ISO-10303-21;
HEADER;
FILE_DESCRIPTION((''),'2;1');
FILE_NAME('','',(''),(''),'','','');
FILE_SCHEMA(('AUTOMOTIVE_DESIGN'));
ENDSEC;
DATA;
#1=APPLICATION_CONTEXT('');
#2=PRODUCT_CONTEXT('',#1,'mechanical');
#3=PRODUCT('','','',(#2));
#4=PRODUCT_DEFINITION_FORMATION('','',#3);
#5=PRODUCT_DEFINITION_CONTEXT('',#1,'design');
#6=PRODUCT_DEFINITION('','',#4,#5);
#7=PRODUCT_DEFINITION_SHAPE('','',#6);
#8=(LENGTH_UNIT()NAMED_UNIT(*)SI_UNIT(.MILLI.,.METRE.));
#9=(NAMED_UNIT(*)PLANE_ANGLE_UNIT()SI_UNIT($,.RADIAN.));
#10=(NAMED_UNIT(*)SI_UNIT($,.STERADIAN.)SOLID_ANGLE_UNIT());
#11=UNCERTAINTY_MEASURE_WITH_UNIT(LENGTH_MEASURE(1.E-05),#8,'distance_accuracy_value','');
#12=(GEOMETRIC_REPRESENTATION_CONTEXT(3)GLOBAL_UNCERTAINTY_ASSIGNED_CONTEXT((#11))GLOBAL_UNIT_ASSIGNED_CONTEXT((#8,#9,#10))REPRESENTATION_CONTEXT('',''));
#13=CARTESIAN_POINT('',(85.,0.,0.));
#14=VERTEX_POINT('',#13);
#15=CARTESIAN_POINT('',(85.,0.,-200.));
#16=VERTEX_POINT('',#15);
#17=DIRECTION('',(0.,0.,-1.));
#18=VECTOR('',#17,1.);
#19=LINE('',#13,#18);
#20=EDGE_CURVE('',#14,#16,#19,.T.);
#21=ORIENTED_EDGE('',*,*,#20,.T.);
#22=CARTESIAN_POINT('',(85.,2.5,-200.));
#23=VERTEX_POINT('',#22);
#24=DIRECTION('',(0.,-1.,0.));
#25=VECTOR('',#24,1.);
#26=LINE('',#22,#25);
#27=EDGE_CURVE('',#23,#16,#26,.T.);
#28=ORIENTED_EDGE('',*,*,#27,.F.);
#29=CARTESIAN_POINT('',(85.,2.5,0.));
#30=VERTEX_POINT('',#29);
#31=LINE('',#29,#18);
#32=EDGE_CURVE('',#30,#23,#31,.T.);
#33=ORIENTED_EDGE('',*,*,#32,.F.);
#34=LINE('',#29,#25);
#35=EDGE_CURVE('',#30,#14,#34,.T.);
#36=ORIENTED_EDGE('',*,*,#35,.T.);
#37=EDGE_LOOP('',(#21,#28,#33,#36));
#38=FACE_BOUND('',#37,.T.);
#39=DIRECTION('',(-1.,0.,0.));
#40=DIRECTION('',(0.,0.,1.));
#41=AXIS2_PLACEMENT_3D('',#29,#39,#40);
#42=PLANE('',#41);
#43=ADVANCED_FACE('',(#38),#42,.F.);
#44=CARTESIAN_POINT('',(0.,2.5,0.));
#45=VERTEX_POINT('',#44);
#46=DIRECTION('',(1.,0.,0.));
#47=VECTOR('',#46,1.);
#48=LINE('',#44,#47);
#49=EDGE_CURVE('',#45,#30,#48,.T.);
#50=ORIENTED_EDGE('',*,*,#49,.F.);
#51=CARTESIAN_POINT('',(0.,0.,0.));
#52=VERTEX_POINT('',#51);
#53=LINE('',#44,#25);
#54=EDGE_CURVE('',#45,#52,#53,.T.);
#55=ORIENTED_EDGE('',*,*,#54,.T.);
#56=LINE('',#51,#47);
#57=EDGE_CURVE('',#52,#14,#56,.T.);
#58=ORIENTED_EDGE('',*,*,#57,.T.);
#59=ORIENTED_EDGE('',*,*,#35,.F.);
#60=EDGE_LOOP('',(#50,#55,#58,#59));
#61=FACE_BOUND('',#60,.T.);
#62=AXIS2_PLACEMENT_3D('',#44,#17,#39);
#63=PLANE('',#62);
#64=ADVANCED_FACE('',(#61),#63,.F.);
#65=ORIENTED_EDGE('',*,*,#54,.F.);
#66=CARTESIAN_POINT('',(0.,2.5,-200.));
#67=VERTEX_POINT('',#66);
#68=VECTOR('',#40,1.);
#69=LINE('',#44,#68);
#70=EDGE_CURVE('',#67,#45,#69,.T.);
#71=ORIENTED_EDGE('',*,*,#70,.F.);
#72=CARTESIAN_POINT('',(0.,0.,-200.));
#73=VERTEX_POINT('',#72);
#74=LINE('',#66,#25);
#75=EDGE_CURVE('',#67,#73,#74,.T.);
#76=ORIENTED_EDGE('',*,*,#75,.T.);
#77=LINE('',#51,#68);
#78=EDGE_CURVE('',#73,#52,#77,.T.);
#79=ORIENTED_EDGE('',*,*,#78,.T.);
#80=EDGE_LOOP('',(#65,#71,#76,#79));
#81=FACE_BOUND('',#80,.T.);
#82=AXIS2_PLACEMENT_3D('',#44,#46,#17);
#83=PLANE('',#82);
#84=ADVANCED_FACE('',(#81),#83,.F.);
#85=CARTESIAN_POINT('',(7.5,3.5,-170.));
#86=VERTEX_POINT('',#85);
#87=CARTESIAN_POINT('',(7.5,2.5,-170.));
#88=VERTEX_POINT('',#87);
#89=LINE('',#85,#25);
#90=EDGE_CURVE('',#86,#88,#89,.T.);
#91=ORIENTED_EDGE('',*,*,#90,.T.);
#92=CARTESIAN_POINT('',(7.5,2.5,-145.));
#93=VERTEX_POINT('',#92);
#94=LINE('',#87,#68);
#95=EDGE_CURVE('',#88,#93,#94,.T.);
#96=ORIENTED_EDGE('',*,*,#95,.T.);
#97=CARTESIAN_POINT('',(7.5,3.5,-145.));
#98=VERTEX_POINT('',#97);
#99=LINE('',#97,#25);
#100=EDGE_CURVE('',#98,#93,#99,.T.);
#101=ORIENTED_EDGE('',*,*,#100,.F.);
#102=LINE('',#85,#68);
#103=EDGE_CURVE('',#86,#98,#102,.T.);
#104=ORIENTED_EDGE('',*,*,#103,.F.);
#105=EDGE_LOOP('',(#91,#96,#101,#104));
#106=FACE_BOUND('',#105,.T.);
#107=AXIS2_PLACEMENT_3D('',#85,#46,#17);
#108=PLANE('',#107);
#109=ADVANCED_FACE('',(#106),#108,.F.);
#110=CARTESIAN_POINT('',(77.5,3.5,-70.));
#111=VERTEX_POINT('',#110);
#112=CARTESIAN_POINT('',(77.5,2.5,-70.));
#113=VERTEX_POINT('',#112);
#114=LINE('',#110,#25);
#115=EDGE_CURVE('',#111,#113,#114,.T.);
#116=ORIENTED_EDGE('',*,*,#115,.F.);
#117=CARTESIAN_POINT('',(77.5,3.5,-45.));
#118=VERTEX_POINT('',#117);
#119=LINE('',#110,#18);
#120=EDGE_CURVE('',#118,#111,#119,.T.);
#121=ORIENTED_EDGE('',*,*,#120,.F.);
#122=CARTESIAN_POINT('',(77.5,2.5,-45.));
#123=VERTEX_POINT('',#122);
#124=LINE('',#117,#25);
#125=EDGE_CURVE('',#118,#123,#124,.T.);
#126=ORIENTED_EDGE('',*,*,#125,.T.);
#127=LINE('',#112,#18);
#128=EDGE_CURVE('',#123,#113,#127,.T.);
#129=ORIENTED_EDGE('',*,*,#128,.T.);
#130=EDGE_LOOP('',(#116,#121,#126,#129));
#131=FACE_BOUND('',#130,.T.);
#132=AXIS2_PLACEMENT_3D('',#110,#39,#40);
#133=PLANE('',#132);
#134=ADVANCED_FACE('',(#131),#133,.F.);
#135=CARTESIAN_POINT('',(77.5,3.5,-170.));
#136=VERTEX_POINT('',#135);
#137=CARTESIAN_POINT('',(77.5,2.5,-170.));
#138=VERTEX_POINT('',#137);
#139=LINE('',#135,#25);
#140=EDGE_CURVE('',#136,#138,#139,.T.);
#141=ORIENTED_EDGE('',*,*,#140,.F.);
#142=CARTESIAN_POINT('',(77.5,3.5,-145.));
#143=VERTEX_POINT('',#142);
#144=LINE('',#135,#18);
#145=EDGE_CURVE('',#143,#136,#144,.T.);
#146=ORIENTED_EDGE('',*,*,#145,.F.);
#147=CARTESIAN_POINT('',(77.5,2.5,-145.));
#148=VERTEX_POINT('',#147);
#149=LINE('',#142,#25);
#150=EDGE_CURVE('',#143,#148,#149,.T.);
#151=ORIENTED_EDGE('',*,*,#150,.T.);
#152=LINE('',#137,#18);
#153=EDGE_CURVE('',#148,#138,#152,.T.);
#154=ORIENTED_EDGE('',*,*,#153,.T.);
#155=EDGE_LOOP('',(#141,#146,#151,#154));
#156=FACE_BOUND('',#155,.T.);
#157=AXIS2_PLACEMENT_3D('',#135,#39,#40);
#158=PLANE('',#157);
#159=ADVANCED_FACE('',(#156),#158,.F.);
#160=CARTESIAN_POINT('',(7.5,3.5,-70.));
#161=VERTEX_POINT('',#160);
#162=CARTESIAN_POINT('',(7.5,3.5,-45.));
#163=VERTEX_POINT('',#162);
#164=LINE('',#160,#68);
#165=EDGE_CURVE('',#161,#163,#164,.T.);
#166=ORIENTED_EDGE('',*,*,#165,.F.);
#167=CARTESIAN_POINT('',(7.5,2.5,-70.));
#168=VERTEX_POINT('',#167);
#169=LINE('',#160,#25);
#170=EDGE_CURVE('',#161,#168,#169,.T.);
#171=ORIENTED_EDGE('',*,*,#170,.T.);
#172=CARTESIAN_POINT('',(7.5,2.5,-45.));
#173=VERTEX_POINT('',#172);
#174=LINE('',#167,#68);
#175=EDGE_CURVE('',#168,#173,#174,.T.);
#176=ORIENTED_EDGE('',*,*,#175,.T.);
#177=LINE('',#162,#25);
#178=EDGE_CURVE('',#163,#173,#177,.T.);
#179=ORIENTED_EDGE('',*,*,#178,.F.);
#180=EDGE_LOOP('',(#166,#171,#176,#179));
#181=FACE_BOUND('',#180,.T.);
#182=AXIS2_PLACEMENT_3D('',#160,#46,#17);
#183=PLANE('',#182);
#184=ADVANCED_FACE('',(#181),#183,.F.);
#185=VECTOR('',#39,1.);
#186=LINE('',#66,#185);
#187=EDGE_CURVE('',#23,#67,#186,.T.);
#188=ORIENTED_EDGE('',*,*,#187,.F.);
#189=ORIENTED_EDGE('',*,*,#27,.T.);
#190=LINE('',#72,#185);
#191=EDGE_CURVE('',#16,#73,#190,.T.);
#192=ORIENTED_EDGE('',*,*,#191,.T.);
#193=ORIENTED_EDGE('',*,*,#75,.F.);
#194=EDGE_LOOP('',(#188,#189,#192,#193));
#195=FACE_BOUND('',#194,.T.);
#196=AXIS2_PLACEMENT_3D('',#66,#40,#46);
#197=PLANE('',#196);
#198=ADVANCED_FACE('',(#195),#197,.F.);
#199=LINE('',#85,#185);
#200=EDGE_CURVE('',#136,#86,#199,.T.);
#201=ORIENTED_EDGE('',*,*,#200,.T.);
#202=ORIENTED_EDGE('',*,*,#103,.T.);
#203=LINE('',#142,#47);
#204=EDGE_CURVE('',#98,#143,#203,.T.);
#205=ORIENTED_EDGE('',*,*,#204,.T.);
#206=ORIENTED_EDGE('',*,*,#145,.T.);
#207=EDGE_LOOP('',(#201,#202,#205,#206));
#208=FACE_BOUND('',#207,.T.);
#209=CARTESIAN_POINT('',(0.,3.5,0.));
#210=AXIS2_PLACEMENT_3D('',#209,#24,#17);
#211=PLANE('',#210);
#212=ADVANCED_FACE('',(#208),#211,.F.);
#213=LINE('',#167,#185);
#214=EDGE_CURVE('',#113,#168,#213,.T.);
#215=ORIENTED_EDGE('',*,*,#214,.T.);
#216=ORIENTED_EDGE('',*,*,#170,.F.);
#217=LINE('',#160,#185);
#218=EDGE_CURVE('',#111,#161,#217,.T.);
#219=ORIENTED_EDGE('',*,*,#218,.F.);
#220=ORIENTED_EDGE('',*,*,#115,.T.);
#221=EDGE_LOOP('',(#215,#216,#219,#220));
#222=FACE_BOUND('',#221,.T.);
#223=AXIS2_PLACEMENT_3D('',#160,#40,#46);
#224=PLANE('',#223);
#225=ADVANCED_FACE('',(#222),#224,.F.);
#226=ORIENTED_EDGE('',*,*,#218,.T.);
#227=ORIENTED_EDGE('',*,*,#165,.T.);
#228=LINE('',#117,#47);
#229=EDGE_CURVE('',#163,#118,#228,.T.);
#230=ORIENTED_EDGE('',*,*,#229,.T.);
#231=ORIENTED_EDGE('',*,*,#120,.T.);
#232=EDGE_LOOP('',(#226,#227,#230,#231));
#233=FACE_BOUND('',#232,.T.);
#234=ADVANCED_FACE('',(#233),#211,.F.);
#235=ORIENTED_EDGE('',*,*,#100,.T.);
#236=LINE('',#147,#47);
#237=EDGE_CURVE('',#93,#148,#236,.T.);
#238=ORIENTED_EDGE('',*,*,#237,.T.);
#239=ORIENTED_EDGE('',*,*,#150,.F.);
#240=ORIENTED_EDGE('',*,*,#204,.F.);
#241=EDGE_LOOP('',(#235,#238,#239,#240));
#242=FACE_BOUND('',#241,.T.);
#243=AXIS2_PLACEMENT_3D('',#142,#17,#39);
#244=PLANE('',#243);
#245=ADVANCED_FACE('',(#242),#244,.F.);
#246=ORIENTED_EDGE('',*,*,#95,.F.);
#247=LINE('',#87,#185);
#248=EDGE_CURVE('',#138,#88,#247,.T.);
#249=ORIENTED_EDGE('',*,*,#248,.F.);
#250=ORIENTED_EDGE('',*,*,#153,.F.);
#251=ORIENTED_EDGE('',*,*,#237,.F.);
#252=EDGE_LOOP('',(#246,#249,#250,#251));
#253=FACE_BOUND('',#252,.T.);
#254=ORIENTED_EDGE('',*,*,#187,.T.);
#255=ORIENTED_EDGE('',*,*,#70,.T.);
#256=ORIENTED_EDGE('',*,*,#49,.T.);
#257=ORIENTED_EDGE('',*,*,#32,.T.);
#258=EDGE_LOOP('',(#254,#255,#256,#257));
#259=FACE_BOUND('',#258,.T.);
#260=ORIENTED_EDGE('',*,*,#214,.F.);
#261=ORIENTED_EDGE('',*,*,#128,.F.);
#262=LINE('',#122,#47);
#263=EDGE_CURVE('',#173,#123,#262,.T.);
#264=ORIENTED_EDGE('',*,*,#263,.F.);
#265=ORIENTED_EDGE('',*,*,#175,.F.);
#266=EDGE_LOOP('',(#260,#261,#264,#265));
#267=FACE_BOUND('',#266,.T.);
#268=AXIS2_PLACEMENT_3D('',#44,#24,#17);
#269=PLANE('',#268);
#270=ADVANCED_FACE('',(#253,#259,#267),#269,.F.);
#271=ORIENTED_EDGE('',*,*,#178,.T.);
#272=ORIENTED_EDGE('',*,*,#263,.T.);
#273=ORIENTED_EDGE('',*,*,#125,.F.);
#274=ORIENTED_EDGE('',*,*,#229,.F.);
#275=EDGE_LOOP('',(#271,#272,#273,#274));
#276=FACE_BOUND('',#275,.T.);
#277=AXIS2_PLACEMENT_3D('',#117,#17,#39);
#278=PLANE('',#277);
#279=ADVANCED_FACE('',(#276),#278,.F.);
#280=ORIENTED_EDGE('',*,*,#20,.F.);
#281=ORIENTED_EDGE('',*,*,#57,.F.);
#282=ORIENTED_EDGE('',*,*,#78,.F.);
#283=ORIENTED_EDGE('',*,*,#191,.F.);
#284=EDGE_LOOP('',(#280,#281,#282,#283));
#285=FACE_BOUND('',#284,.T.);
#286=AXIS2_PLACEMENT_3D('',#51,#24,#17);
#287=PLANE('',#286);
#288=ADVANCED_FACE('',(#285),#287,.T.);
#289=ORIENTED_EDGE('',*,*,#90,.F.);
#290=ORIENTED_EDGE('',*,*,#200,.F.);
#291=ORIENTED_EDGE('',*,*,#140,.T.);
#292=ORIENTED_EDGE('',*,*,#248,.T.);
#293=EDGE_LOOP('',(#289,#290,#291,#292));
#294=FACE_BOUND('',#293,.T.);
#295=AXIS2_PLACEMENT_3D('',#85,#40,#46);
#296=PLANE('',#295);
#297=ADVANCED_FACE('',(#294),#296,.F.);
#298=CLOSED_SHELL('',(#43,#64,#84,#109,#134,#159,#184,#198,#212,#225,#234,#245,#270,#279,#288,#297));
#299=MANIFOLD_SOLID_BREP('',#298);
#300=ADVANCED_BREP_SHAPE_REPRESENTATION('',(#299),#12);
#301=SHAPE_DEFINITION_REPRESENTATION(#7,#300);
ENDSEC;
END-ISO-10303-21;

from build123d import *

# Parameters (mm, degrees)
SKETCH1_W           = 85
SKETCH1_H           = 200
BOSS_EXTRUDE1_DEPTH = 2.5
SKETCH2_W           = 70
SKETCH2_H           = 25
BOSS_EXTRUDE2_DEPTH = 1


with BuildPart() as part:
    # Sketch1 → Boss-Extrude1 (new body)
    with BuildSketch(Plane(origin=(0, 0, 0), x_dir=(1, 0, 0), z_dir=(0, 1, 0))):
        with Locations((42.5, 100)):
            Rectangle(SKETCH1_W, SKETCH1_H)
    extrude(amount=BOSS_EXTRUDE1_DEPTH)

    # Sketch2 → Boss-Extrude2 (add)
    with BuildSketch(Plane(origin=(0, 2.5, 0), x_dir=(1, 0, 0), z_dir=(0, 1, 0))):
        with Locations((42.5, 157.5)):
            Rectangle(SKETCH2_W, SKETCH2_H)
        with Locations((42.5, 57.5)):
            Rectangle(SKETCH2_W, SKETCH2_H)
    extrude(amount=BOSS_EXTRUDE2_DEPTH)


solid = part.part
